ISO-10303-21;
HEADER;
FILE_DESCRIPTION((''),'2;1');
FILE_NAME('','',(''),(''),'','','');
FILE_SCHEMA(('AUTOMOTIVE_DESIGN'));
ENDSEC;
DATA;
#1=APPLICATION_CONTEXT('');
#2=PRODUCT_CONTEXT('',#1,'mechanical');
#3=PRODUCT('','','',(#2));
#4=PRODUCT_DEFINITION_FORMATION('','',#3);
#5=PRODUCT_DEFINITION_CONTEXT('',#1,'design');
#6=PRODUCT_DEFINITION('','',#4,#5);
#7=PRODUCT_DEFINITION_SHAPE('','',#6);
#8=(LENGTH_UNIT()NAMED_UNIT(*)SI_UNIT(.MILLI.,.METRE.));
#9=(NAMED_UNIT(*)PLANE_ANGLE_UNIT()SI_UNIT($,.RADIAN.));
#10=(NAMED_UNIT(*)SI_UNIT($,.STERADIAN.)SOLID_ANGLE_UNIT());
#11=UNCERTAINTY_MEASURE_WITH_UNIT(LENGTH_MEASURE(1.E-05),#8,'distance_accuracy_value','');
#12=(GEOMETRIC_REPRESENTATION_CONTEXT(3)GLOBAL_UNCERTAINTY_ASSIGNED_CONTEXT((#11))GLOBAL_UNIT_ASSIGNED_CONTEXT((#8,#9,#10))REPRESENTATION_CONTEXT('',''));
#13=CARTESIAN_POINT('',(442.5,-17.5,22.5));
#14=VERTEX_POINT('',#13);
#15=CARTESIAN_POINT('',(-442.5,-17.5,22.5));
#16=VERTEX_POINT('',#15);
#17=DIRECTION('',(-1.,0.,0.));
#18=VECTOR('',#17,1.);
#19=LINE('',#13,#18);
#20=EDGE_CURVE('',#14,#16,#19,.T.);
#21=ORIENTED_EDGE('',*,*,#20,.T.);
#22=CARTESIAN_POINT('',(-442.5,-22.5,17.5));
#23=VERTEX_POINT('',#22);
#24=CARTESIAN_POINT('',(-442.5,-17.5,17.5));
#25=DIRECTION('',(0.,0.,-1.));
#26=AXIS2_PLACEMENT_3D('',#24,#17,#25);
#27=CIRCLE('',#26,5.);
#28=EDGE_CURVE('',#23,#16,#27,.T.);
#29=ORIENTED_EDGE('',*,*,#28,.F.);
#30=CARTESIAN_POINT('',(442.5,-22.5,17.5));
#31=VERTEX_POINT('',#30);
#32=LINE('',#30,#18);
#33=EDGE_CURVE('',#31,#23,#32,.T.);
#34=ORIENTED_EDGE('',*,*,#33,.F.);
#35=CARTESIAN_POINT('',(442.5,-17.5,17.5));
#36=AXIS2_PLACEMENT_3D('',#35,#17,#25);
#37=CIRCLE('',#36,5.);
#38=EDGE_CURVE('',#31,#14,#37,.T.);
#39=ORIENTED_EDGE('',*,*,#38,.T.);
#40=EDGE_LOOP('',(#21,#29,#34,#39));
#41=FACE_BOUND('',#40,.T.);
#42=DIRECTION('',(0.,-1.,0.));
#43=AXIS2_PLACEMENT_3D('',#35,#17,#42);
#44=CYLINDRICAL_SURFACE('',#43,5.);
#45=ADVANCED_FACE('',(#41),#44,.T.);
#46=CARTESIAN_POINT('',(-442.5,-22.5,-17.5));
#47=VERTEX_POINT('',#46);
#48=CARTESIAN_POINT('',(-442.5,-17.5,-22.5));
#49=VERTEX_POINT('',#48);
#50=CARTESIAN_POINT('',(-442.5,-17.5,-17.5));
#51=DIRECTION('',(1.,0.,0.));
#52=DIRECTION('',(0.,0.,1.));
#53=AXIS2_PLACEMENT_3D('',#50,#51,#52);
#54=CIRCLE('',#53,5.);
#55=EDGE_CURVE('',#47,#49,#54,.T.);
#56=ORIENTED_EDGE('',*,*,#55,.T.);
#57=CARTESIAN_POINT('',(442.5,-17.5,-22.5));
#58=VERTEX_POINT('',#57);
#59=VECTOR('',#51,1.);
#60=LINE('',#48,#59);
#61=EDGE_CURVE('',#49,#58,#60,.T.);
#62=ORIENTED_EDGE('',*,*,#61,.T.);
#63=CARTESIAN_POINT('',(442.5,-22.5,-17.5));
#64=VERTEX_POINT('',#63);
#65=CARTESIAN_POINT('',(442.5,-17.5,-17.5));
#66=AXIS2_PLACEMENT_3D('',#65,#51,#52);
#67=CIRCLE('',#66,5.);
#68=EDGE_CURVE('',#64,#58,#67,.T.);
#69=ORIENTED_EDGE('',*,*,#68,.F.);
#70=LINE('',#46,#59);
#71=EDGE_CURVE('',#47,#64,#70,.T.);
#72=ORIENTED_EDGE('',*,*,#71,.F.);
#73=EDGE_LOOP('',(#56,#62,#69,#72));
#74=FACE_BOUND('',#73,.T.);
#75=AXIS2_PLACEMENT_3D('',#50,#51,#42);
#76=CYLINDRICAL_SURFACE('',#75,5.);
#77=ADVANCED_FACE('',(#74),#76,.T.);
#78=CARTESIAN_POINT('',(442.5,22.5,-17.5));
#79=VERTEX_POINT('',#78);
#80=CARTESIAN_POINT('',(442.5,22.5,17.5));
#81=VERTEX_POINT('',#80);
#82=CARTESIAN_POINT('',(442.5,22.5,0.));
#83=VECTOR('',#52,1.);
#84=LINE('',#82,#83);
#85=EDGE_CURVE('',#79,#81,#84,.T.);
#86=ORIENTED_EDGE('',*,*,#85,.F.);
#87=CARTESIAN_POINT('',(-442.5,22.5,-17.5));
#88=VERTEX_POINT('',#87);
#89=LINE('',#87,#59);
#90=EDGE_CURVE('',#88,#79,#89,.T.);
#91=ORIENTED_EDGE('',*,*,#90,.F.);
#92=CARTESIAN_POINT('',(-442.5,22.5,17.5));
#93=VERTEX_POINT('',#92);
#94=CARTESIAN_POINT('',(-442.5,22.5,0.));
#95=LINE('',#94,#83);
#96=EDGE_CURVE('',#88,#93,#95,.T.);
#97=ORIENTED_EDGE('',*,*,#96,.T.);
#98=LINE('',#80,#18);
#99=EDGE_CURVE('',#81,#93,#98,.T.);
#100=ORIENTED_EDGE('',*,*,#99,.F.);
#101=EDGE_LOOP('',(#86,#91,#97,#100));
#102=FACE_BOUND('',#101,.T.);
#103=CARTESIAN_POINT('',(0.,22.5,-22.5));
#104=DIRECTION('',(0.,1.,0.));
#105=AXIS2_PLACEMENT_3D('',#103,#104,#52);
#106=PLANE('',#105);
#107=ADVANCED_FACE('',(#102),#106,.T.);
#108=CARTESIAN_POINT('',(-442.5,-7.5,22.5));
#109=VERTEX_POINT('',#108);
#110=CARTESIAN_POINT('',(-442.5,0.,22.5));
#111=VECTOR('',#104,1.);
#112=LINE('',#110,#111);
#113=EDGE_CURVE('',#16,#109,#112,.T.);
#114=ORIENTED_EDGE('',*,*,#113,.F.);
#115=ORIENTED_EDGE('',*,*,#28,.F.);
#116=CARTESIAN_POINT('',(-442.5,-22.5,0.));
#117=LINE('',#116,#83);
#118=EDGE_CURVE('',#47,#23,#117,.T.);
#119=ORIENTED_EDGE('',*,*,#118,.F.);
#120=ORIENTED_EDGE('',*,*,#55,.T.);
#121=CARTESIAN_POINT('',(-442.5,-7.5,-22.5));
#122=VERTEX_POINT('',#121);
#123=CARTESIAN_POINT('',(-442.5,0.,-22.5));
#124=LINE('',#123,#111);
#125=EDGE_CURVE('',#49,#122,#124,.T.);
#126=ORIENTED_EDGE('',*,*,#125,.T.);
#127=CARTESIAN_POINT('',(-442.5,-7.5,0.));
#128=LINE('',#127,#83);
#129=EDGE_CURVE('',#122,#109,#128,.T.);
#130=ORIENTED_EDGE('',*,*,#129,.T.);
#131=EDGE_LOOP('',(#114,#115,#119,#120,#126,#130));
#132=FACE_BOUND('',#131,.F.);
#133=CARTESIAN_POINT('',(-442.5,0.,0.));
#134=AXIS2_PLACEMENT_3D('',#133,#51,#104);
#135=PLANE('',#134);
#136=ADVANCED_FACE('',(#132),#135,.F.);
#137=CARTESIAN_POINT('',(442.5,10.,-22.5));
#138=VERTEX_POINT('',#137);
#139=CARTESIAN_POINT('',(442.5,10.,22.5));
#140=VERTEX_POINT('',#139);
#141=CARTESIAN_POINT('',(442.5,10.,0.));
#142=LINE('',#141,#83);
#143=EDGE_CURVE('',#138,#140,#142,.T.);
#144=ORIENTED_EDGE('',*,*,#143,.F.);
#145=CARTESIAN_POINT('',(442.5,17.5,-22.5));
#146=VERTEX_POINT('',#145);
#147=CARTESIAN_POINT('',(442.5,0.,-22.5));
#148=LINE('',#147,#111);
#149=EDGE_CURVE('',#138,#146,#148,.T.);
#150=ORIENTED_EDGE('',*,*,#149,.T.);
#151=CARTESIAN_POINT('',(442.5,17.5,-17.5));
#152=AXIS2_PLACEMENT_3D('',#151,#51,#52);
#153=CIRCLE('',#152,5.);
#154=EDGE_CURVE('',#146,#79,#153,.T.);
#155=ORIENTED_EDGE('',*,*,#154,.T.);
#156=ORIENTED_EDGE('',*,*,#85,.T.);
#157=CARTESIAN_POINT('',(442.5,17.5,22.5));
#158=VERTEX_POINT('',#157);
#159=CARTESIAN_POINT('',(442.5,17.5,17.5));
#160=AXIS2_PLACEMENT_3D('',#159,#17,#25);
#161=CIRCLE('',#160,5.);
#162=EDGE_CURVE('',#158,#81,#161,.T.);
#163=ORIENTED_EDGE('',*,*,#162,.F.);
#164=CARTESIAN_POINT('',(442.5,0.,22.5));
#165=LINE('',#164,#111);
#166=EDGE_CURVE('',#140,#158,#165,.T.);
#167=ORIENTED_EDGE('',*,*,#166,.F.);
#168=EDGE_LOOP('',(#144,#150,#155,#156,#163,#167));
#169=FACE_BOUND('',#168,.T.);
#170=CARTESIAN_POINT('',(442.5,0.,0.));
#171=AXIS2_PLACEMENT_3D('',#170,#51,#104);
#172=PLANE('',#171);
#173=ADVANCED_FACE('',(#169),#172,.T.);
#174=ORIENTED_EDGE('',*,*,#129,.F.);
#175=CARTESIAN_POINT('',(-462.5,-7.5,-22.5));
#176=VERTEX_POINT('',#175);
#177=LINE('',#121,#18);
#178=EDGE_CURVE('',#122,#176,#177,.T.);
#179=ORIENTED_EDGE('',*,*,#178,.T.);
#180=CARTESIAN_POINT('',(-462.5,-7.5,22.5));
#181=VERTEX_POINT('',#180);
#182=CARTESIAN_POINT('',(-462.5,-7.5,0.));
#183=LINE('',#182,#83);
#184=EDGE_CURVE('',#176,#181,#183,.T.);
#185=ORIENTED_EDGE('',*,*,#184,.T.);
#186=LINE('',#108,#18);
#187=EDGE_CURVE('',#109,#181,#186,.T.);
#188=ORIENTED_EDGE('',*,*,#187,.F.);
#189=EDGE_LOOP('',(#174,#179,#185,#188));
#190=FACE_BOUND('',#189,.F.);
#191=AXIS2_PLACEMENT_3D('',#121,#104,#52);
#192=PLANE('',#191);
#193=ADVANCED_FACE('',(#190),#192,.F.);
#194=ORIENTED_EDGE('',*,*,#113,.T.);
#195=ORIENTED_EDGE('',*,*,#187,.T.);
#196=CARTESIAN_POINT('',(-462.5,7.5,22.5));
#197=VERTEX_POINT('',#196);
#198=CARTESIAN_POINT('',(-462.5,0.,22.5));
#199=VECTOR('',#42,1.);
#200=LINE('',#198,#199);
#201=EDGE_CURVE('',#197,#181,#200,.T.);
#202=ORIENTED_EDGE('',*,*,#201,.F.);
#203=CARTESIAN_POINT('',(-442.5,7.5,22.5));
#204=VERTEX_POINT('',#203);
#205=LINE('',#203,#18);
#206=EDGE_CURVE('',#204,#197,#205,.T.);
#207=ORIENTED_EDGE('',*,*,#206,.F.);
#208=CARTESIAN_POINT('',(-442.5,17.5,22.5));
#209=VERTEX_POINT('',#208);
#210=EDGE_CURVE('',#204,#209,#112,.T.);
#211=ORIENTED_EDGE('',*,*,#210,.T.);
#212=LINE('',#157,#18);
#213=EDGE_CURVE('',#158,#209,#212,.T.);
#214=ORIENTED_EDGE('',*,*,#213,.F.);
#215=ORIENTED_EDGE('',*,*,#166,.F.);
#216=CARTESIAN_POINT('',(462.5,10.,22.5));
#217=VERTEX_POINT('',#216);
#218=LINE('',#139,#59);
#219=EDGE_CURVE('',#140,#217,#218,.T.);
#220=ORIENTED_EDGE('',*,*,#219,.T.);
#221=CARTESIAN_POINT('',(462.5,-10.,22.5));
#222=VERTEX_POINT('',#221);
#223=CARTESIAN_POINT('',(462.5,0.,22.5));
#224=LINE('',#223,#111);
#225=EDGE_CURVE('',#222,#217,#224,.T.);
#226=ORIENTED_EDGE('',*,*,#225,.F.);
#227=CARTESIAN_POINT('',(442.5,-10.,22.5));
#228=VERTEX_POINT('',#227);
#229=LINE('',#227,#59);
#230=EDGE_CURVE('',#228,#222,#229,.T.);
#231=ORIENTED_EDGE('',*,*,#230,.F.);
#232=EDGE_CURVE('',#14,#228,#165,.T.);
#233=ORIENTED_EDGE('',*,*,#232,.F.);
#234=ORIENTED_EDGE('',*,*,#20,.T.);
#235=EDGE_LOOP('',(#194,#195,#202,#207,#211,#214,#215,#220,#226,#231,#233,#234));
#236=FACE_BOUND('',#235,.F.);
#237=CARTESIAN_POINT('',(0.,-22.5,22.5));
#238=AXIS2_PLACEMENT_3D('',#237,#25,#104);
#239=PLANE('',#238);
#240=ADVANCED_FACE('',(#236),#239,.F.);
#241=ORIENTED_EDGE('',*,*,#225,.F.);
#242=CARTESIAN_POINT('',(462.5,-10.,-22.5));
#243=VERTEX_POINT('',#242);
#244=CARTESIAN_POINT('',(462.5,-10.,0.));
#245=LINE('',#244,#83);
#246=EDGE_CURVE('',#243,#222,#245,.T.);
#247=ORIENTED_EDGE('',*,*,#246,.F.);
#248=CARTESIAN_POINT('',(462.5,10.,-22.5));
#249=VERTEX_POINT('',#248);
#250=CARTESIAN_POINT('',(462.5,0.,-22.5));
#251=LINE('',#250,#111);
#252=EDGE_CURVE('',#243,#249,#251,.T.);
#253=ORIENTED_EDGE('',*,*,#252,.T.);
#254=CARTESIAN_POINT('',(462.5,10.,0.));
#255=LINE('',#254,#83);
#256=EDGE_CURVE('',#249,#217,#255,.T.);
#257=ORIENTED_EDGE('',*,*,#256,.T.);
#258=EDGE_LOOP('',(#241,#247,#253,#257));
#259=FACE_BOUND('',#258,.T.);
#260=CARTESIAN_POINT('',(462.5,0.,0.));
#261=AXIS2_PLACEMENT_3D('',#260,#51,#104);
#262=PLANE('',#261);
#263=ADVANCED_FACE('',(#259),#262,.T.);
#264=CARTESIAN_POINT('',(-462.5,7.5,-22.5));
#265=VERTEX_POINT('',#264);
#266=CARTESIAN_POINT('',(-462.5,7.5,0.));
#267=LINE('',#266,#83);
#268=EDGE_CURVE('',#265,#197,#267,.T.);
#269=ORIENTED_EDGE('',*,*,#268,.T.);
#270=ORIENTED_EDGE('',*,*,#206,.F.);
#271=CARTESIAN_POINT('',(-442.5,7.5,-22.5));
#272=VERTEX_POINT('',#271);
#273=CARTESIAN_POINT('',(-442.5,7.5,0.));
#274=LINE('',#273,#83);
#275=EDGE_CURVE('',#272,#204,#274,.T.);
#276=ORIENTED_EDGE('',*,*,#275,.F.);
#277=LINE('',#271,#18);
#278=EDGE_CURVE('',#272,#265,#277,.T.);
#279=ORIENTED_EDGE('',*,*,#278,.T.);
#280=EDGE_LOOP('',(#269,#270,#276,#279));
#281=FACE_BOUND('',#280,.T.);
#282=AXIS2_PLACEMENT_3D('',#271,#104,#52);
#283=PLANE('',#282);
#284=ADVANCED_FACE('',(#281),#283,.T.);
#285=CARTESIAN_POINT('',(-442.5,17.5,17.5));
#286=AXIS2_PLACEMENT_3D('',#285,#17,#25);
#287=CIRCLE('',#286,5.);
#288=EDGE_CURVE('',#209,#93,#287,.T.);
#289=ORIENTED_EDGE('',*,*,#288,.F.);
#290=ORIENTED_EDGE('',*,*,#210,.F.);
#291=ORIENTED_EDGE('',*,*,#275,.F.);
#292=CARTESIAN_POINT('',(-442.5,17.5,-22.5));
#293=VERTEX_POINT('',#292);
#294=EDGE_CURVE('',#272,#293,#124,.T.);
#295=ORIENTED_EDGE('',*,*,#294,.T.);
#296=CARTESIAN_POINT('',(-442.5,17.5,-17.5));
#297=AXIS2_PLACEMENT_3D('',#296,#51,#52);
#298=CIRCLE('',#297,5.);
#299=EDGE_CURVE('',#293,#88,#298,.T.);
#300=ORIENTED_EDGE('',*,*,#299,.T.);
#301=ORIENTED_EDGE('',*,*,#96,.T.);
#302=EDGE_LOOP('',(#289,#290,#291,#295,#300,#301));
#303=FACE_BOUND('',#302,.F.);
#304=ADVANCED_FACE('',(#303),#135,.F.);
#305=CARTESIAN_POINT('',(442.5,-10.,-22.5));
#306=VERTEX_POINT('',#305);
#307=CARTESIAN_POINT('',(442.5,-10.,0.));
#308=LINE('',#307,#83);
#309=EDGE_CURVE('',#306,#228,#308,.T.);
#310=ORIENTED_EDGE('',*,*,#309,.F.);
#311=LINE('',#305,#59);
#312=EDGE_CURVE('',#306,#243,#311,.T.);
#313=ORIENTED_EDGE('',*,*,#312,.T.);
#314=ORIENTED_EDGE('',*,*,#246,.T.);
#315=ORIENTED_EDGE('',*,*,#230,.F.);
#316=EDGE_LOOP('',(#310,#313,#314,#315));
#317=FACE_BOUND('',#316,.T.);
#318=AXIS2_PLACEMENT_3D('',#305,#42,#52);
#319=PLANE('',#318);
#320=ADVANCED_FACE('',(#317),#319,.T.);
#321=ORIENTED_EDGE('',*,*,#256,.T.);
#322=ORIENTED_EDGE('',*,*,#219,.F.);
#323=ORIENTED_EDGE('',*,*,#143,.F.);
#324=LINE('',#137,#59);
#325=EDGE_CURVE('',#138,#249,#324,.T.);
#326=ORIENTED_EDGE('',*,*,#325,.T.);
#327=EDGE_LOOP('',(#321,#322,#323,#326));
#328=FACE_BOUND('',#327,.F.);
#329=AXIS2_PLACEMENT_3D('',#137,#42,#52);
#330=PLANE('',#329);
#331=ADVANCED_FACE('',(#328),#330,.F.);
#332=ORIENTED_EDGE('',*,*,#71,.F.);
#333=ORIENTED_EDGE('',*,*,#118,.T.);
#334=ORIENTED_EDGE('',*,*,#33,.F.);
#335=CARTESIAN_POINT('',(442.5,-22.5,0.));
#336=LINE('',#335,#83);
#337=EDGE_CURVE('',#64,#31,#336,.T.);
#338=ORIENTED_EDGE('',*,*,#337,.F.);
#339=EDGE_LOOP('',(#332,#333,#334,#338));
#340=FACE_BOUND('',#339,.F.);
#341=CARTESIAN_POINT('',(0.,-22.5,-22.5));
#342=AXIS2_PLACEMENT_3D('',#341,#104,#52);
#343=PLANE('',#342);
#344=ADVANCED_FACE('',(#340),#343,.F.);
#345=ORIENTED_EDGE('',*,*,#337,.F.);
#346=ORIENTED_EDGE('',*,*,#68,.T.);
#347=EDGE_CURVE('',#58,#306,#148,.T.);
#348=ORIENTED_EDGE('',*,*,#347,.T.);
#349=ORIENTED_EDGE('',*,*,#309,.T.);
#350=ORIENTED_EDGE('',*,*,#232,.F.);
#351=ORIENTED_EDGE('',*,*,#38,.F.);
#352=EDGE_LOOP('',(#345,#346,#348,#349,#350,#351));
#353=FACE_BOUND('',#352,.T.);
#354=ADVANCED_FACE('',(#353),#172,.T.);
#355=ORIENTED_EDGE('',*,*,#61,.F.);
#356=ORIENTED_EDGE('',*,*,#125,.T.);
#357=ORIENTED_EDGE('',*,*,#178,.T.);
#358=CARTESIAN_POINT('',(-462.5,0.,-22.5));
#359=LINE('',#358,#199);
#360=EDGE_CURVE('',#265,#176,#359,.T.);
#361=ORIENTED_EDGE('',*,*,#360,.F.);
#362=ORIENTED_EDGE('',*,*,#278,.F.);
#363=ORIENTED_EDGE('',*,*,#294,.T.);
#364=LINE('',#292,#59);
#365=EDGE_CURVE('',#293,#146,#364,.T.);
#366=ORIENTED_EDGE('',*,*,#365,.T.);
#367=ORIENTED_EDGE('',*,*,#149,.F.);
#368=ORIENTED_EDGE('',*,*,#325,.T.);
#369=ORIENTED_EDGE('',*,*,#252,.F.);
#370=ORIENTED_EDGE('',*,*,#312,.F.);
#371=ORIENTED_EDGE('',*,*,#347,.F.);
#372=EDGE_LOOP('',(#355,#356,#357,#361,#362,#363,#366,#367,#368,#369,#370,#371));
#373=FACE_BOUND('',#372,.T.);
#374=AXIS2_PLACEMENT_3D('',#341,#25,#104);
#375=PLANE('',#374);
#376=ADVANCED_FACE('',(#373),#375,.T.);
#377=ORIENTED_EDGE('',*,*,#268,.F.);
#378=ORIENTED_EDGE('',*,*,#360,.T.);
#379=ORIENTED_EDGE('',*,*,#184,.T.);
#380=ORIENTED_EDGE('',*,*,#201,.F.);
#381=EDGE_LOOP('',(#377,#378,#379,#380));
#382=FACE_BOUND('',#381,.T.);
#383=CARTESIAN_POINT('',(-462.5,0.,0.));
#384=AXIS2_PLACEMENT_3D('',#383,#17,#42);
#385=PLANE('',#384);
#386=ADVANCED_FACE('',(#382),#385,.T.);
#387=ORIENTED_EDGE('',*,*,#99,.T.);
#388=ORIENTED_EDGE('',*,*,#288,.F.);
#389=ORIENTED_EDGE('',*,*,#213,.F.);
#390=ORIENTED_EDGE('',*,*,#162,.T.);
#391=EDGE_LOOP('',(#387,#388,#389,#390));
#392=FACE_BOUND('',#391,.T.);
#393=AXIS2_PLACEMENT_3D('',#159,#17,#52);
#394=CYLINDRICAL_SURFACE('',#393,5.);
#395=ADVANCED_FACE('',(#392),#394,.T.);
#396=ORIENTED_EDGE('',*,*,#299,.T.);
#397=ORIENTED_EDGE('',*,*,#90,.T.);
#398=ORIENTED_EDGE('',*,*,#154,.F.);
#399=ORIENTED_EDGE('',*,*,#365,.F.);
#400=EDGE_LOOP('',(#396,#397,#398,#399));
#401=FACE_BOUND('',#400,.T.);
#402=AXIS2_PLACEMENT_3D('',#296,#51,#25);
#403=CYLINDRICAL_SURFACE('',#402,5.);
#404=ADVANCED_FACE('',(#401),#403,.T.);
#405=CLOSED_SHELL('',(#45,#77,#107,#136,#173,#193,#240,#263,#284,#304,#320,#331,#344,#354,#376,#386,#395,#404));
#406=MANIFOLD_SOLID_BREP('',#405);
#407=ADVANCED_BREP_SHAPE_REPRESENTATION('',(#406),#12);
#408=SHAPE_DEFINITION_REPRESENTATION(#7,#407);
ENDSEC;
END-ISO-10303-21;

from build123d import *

# Parameters (mm, degrees)
F0_W     = 45
F0_H     = 45
F1_DEPTH = 442.5
F2_W     = 20
F2_H     = 45
F3_DEPTH = 20
F4_W     = 15
F4_H     = 45
F5_DEPTH = 20
F6_R     = 5


with BuildPart() as f1:
    # F0 (on Right) → F1 (new body, symmetric)
    with BuildSketch(Plane.YZ):
        Rectangle(F0_W, F0_H)
    extrude(amount=F1_DEPTH, both=True)

    # F2 (on face) → F3 (join)
    with BuildSketch(Plane.YZ.offset(442.5)):
        Rectangle(F2_W, F2_H)
    extrude(amount=F3_DEPTH)

    # F4 (on face) → F5 (join)
    with BuildSketch(Plane(origin=(-442.5, 0, 0), x_dir=(0, -1, 0), z_dir=(-1, 0, 0))):
        Rectangle(F4_W, F4_H)
    extrude(amount=F5_DEPTH)

    # F6
    f6_edges = [f1.edges().sort_by_distance(p)[0] for p in [
        (0, -22.5, 22.5),
        (0, 22.5, 22.5),
        (0, -22.5, -22.5),
        (0, 22.5, -22.5),
    ]]
    fillet(f6_edges, radius=F6_R)


solid = f1.part
